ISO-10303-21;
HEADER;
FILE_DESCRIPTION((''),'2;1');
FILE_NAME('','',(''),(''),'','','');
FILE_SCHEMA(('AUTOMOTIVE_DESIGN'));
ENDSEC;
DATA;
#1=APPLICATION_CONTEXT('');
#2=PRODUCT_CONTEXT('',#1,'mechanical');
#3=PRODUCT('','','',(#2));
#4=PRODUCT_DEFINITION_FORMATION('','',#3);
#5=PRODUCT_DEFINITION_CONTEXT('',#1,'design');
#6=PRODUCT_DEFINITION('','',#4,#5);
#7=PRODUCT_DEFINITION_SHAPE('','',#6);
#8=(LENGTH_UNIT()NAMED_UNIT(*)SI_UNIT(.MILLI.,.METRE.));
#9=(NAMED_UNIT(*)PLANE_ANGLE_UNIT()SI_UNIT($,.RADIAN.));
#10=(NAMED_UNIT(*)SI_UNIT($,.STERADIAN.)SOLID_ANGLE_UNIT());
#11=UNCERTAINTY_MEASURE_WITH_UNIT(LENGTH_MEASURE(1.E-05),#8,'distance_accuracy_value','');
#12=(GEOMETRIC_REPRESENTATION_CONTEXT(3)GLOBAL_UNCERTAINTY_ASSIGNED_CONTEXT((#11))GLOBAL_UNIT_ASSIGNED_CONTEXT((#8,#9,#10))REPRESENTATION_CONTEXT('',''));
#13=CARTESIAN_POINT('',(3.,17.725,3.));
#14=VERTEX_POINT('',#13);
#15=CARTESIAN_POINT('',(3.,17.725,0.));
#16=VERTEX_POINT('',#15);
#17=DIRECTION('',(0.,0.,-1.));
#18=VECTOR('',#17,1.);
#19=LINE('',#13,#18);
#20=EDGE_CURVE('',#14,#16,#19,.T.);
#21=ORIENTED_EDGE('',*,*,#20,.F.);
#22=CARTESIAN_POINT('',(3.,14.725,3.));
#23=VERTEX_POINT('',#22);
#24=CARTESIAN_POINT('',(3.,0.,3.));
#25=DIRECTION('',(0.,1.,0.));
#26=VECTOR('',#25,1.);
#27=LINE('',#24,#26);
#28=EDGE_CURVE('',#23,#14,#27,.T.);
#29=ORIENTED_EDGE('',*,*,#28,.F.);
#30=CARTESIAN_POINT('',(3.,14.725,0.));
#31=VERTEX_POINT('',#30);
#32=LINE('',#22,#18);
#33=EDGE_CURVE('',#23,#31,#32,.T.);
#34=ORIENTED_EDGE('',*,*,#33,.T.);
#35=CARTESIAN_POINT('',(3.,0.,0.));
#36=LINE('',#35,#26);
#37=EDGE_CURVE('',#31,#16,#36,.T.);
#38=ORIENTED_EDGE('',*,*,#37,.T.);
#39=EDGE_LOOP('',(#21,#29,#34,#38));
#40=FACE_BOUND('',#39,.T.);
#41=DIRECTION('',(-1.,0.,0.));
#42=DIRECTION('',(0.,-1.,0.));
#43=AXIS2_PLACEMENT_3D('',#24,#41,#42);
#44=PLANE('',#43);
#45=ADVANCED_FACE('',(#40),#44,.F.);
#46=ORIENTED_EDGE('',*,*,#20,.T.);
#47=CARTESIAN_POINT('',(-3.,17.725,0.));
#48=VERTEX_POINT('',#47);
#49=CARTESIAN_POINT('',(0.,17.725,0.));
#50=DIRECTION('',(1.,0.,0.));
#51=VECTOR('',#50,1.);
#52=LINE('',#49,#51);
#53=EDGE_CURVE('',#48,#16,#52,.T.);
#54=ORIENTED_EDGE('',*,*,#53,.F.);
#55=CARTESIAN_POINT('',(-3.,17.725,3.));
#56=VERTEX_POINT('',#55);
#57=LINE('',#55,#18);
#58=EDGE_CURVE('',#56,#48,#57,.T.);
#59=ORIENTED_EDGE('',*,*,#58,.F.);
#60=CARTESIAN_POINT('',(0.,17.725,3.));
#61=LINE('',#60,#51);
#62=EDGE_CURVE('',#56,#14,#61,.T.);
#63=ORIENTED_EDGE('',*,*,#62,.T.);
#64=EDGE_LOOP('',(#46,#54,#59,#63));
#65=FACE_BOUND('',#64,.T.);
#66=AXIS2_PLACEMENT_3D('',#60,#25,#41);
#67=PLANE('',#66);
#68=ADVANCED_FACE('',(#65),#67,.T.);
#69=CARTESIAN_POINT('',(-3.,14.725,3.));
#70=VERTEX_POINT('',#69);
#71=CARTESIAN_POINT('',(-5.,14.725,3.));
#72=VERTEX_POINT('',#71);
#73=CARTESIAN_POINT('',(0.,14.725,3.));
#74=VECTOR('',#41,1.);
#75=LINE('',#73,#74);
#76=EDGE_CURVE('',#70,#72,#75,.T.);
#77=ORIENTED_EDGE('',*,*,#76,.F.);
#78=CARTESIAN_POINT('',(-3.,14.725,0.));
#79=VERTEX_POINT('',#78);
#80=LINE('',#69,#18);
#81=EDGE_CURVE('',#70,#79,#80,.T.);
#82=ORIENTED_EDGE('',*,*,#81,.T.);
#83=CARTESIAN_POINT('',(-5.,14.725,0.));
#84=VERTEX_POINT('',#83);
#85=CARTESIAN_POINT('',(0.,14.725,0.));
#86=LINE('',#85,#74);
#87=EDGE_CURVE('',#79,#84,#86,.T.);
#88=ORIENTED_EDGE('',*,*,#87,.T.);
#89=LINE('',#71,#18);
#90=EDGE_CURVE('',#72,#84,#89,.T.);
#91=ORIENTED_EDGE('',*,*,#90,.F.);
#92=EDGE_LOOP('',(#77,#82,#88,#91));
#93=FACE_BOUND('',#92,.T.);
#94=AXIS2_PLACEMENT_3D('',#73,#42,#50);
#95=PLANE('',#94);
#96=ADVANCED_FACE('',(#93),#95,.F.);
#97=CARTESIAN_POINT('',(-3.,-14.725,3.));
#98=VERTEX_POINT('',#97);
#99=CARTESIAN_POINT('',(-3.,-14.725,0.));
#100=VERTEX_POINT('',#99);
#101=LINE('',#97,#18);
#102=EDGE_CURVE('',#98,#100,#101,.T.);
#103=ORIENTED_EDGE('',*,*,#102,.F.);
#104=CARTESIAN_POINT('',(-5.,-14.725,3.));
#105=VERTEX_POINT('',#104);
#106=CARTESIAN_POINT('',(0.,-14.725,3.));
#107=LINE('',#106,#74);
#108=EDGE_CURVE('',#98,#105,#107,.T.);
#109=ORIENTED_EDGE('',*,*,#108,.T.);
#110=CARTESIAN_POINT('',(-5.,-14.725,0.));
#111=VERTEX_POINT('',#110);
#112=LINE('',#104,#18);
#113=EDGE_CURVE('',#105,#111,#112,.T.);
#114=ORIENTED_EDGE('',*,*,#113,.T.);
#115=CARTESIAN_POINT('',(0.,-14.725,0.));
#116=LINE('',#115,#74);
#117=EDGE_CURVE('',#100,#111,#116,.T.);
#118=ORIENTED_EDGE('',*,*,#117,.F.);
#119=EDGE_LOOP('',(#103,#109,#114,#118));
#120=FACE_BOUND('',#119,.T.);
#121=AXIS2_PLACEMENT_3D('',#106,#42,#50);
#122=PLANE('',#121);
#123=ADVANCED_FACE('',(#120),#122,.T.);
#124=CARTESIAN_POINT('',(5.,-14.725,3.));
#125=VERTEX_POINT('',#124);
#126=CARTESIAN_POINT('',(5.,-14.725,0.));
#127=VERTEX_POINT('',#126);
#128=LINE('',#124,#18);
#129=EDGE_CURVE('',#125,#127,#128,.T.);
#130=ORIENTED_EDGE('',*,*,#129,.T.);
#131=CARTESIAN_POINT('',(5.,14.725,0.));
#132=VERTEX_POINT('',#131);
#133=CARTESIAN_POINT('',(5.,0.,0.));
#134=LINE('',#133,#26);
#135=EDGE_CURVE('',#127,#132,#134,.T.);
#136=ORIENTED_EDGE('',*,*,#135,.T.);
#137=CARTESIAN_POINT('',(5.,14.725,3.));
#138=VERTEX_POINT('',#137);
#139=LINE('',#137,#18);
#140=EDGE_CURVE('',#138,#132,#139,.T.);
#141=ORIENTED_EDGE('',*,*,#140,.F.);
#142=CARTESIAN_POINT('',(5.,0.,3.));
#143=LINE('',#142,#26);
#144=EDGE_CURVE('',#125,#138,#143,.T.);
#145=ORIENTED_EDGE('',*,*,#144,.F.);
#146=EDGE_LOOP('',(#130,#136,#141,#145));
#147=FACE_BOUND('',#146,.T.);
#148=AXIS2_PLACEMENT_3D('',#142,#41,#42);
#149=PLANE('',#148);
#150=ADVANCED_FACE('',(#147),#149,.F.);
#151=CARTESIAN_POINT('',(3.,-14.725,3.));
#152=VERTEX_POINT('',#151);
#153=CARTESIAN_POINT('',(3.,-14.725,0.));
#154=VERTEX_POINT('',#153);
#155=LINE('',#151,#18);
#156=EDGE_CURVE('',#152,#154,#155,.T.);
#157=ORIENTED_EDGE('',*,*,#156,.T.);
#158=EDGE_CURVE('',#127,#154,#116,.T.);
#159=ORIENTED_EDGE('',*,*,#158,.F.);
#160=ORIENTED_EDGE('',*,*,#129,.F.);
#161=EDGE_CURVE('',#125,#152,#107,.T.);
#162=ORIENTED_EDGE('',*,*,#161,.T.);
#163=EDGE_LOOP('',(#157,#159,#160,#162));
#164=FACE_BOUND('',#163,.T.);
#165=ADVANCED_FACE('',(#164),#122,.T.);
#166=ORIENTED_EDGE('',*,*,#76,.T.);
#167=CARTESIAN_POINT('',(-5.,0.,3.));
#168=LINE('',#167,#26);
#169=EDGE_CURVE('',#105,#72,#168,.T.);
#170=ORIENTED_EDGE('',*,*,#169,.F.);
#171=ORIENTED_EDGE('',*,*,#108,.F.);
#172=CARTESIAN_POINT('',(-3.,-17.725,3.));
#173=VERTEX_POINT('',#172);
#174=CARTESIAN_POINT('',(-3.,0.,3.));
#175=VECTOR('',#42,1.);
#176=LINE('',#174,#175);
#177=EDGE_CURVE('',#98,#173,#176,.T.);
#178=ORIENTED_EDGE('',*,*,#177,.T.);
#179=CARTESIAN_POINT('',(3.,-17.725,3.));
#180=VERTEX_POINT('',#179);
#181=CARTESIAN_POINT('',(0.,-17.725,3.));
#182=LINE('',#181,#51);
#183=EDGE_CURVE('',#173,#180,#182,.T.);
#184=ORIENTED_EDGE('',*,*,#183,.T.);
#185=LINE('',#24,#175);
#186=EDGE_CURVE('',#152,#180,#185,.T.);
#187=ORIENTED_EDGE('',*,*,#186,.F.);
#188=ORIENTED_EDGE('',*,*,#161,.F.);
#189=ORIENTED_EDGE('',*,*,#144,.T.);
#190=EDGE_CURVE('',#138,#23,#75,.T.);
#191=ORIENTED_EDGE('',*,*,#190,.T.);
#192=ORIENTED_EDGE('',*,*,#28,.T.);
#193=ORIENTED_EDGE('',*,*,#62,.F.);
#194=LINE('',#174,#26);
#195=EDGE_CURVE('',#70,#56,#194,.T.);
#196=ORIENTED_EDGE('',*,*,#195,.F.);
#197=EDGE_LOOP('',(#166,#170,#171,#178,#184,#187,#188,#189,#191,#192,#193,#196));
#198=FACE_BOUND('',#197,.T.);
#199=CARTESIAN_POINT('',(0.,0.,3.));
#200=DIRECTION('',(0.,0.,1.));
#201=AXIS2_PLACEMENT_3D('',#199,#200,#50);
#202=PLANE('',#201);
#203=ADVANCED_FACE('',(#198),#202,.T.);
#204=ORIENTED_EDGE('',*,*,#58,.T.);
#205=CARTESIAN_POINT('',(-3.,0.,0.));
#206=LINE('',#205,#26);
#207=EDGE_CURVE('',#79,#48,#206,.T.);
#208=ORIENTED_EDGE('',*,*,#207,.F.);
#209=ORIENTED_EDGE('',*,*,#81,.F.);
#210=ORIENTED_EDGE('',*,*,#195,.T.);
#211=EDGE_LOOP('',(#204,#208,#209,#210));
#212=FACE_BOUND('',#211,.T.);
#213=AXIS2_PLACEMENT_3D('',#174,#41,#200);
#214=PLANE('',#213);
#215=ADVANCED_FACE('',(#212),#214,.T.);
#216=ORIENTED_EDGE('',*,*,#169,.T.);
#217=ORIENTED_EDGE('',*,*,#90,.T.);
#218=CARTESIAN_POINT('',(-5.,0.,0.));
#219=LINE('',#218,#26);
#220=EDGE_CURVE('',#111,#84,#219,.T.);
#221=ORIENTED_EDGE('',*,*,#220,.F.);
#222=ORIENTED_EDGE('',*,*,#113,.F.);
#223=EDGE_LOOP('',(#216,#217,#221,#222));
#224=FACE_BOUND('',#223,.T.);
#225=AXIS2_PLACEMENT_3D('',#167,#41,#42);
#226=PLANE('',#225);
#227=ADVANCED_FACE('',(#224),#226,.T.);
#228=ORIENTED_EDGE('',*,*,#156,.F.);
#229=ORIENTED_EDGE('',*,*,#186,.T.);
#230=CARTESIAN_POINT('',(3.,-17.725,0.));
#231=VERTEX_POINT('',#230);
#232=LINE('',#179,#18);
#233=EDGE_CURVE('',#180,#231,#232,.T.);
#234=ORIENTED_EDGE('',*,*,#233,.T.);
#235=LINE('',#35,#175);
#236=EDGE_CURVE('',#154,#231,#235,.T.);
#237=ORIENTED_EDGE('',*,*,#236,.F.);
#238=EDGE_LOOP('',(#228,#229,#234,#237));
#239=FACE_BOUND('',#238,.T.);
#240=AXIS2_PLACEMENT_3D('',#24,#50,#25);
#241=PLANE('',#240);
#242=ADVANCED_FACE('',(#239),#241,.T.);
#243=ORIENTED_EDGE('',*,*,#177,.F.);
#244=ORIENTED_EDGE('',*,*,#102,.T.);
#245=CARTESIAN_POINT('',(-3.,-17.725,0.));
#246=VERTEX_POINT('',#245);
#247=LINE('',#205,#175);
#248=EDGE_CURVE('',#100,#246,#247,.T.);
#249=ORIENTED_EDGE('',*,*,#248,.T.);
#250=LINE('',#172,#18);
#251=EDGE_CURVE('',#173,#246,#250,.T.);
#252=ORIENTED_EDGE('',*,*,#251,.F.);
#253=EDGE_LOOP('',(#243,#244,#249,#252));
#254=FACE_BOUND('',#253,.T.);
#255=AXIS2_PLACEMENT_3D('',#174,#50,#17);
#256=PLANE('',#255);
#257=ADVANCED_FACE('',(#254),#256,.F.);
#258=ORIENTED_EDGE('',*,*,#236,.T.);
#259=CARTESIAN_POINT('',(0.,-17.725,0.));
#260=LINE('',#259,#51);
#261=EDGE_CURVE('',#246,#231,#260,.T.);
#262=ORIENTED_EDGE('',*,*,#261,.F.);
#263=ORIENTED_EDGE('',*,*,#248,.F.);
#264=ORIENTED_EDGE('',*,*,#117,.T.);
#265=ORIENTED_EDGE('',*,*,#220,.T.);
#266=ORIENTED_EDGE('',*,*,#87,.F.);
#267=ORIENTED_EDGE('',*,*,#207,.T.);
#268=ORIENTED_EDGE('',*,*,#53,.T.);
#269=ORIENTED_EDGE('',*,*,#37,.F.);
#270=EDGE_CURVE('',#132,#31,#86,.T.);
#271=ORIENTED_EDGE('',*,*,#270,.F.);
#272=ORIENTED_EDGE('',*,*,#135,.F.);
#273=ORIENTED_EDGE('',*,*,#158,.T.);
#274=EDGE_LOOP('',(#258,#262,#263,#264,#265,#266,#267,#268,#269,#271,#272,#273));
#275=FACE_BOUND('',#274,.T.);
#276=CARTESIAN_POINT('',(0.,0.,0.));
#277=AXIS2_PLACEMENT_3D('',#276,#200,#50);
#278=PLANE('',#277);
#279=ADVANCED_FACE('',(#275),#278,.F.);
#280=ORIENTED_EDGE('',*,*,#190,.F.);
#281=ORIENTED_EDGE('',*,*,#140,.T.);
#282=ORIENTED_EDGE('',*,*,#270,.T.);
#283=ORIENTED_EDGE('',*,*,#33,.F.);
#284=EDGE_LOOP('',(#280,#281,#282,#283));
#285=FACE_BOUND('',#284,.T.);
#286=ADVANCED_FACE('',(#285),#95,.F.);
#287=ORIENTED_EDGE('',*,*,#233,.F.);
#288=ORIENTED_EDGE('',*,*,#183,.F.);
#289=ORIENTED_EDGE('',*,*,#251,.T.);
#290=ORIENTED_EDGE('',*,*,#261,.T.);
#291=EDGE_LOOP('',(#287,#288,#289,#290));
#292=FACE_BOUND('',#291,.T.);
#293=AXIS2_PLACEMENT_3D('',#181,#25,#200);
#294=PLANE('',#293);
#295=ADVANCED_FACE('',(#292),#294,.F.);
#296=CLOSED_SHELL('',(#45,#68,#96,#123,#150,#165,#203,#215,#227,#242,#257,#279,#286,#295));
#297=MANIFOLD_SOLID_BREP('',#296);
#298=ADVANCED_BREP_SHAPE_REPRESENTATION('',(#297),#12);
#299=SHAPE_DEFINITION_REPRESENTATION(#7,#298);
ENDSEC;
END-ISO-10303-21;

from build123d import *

# Parameters (mm, degrees)
SKETCH1_W           = 10
SKETCH1_H           = 29.45
SKETCH1_W_2         = 6
SKETCH1_H_2         = 3
BOSS_EXTRUDE1_DEPTH = 3


with BuildPart() as part:
    # Sketch1 → Boss-Extrude1 (new body)
    with BuildSketch(Plane.XY):
        Rectangle(SKETCH1_W, SKETCH1_H)
        with Locations((0, 16.225)):
            Rectangle(SKETCH1_W_2, SKETCH1_H_2)
        with Locations((0, -16.225)):
            Rectangle(SKETCH1_W_2, SKETCH1_H_2)
    extrude(amount=BOSS_EXTRUDE1_DEPTH)


solid = part.part
